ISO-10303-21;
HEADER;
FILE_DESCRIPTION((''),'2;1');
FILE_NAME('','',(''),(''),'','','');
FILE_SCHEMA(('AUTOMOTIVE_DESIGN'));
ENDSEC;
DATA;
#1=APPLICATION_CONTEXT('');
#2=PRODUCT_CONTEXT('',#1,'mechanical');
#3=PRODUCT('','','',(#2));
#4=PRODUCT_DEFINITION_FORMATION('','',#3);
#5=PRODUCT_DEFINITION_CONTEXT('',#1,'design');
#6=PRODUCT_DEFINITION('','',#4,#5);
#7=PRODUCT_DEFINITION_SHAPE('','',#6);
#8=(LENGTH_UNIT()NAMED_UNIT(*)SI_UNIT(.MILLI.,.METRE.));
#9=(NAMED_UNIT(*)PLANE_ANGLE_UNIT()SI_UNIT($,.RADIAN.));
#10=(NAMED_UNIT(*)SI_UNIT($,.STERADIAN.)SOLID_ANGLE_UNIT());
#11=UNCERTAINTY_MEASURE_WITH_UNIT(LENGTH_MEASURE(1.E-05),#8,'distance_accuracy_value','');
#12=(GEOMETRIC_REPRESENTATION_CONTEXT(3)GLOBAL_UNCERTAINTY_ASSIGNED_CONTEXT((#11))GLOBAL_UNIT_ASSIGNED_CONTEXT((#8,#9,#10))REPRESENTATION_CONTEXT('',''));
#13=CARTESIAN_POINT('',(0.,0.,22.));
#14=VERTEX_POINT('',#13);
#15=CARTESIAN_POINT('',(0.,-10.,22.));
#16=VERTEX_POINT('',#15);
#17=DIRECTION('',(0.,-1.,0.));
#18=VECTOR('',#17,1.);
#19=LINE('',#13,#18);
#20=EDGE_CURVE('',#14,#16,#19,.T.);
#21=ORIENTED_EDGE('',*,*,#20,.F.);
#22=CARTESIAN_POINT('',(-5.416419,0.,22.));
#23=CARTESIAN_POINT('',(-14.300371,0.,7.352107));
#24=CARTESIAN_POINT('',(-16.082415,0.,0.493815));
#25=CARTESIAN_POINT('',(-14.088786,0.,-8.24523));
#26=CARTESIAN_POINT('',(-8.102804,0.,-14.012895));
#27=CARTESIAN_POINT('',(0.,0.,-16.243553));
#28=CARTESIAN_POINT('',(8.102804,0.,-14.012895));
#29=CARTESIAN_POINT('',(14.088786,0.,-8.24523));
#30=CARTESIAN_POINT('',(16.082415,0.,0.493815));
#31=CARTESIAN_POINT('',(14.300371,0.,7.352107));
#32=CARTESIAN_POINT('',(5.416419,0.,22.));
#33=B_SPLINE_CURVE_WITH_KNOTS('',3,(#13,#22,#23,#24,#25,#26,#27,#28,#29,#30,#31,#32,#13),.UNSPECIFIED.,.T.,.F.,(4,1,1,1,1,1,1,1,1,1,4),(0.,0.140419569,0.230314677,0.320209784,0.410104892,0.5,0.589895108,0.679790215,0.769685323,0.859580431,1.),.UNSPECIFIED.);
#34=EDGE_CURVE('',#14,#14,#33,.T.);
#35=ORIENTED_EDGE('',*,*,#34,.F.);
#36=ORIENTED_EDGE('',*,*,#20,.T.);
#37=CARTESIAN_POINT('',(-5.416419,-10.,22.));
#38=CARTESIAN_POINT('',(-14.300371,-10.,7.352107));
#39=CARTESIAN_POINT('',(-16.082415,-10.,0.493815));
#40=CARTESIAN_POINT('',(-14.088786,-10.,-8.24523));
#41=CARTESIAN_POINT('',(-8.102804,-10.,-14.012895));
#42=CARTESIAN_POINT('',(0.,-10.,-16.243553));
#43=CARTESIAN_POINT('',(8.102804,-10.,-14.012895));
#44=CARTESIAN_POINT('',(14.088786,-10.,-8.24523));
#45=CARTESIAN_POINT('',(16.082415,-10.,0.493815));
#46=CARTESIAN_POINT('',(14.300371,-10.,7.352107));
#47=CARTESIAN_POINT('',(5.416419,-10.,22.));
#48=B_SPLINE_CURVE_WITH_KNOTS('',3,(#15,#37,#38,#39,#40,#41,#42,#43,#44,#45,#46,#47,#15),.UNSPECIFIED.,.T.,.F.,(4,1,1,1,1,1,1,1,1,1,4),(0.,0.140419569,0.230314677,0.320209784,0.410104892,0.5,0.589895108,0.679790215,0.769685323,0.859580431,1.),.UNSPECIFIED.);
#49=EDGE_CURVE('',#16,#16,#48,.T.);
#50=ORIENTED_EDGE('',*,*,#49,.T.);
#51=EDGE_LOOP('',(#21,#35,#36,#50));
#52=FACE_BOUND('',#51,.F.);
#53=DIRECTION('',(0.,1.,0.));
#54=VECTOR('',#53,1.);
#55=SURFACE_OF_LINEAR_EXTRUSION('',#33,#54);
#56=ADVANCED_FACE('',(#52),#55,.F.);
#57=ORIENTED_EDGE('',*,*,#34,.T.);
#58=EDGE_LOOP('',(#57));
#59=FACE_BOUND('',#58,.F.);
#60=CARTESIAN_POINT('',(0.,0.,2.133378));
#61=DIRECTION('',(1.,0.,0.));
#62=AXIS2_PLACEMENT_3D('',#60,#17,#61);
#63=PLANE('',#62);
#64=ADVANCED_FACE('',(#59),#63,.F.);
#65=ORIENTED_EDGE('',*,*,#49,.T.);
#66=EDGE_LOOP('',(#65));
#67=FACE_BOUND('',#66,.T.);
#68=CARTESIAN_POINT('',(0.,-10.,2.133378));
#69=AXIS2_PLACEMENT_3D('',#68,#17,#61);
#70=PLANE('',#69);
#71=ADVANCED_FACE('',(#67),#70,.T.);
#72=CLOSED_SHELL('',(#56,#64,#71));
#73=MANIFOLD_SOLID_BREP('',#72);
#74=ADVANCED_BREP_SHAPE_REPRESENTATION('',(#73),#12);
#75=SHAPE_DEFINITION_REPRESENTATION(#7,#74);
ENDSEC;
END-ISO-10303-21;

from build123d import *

# Parameters (mm, degrees)
F1_DEPTH = 10


with BuildPart() as f1:
    # F0 (on Front) → F1 (new body)
    with BuildSketch(Plane.XZ):
        with BuildLine():
            add(Edge.make_bspline(
                [(0, 22), (-5.4164189531, 22), (-14.3003714454, 7.3521072716), (-16.0824154897, 0.4938154649), (-14.0887858833, -8.2452301212), (-8.1028035292, -14.0128949802), (0, -16.2435525099), (8.1028035292, -14.0128949802), (14.0887858833, -8.2452301212), (16.0824154897, 0.4938154649), (14.3003714454, 7.3521072716), (5.4164189531, 22), (0, 22)],
                knots=[0, 0, 0, 0, 0.1404195691, 0.2303146768, 0.3202097845, 0.4101048923, 0.5, 0.5898951077, 0.6797902155, 0.7696853232, 0.8595804309, 1, 1, 1, 1], degree=3))
        make_face()
    extrude(amount=F1_DEPTH)


solid = f1.part
